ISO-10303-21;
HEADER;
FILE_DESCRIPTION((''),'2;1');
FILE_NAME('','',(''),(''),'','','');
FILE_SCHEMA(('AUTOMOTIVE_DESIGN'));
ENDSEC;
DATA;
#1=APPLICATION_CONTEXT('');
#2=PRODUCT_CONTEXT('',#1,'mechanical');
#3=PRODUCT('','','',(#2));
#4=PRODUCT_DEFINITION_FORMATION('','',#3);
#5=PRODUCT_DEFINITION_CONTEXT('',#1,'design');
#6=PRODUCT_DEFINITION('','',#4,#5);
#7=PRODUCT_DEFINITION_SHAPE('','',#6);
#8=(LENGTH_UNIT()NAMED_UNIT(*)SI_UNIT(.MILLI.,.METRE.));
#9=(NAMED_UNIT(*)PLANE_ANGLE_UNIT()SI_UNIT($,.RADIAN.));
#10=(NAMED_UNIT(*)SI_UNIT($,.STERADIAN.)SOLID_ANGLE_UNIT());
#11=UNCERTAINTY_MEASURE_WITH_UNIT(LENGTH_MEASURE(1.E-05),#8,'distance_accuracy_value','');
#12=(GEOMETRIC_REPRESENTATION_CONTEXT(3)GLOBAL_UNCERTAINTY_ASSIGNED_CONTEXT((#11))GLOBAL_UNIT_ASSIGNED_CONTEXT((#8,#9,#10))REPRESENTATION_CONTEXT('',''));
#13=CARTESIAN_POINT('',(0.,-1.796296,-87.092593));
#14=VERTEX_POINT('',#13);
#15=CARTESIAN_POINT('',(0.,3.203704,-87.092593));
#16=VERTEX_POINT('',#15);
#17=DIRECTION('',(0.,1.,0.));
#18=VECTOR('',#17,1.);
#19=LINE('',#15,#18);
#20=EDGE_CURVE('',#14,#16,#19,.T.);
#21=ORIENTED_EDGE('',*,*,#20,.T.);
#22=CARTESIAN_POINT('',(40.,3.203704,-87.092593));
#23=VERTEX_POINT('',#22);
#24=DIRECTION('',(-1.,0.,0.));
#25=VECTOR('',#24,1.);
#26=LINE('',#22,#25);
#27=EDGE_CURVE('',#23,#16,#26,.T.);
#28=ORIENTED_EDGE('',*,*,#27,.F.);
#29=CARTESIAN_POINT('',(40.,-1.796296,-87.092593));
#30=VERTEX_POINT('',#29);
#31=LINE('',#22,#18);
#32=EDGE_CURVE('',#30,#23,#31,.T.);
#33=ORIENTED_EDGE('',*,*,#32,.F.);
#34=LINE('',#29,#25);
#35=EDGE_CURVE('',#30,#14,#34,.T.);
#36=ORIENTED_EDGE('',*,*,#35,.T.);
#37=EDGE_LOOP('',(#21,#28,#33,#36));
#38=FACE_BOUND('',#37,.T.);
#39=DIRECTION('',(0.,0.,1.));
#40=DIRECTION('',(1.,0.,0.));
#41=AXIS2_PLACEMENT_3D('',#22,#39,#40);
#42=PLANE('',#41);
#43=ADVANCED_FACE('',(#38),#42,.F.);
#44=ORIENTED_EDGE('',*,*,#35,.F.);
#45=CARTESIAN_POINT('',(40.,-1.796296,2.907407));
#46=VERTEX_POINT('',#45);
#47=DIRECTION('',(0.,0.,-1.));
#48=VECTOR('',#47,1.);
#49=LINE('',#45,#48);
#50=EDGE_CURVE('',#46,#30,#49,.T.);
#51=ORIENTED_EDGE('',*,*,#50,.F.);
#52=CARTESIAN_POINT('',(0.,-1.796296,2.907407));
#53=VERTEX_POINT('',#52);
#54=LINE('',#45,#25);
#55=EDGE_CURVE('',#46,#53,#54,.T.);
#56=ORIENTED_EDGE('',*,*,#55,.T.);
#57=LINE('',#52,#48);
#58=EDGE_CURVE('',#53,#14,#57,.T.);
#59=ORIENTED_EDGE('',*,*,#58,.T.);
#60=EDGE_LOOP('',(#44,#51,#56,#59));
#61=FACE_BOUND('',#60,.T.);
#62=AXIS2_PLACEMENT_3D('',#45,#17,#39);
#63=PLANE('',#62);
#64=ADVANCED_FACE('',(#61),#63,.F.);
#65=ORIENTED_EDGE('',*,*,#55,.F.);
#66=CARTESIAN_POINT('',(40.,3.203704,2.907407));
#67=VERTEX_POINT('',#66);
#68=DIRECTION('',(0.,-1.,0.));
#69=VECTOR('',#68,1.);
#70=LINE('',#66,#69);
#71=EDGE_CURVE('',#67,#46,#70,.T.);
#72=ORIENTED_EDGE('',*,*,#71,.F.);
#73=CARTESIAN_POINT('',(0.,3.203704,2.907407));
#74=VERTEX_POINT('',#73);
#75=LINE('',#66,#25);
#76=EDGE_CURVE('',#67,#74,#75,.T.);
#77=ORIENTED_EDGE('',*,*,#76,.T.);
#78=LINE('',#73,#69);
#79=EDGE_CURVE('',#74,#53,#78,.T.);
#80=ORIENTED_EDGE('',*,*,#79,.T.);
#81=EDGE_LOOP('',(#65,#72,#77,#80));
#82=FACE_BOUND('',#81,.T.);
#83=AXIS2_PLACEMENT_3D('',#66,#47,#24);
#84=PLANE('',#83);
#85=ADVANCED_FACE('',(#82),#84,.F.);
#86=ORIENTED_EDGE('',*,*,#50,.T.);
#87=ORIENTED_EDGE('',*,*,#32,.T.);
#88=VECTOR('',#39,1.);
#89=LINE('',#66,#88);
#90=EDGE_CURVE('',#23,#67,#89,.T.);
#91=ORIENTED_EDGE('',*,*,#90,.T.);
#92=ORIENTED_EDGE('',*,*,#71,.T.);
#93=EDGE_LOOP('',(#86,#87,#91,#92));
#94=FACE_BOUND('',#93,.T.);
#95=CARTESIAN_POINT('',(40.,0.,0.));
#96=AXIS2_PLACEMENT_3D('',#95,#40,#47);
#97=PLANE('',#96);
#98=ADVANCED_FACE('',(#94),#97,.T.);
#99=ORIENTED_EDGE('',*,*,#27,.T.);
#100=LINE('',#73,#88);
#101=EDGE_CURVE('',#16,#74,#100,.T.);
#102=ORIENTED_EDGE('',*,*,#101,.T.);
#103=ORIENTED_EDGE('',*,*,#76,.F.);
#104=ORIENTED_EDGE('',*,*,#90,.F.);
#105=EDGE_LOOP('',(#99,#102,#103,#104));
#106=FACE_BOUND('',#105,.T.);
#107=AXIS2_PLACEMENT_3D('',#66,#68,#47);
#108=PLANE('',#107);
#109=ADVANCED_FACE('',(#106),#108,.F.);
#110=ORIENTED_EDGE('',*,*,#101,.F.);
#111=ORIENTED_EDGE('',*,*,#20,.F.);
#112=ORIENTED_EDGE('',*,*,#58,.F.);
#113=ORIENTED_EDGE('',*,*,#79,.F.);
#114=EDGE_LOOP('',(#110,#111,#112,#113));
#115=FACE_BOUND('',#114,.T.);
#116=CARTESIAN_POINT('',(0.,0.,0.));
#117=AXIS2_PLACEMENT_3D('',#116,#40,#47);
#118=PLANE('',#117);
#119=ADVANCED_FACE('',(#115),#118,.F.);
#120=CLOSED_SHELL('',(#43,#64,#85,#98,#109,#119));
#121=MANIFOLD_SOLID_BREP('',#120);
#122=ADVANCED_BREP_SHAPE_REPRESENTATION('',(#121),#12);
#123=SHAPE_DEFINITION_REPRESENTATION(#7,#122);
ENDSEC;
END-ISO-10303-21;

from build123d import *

# Parameters (mm, degrees)
SKETCH1_W           = 90
SKETCH1_H           = 5
BOSS_EXTRUDE1_DEPTH = 40


with BuildPart() as part:
    # Sketch1 → Boss-Extrude1 (new body)
    with BuildSketch(Plane(origin=(0, 0, 0), x_dir=(0, 0, -1), z_dir=(1, 0, 0))):
        with Locations((42.092592593, 0.703703704)):
            Rectangle(SKETCH1_W, SKETCH1_H)
    extrude(amount=BOSS_EXTRUDE1_DEPTH)


solid = part.part
